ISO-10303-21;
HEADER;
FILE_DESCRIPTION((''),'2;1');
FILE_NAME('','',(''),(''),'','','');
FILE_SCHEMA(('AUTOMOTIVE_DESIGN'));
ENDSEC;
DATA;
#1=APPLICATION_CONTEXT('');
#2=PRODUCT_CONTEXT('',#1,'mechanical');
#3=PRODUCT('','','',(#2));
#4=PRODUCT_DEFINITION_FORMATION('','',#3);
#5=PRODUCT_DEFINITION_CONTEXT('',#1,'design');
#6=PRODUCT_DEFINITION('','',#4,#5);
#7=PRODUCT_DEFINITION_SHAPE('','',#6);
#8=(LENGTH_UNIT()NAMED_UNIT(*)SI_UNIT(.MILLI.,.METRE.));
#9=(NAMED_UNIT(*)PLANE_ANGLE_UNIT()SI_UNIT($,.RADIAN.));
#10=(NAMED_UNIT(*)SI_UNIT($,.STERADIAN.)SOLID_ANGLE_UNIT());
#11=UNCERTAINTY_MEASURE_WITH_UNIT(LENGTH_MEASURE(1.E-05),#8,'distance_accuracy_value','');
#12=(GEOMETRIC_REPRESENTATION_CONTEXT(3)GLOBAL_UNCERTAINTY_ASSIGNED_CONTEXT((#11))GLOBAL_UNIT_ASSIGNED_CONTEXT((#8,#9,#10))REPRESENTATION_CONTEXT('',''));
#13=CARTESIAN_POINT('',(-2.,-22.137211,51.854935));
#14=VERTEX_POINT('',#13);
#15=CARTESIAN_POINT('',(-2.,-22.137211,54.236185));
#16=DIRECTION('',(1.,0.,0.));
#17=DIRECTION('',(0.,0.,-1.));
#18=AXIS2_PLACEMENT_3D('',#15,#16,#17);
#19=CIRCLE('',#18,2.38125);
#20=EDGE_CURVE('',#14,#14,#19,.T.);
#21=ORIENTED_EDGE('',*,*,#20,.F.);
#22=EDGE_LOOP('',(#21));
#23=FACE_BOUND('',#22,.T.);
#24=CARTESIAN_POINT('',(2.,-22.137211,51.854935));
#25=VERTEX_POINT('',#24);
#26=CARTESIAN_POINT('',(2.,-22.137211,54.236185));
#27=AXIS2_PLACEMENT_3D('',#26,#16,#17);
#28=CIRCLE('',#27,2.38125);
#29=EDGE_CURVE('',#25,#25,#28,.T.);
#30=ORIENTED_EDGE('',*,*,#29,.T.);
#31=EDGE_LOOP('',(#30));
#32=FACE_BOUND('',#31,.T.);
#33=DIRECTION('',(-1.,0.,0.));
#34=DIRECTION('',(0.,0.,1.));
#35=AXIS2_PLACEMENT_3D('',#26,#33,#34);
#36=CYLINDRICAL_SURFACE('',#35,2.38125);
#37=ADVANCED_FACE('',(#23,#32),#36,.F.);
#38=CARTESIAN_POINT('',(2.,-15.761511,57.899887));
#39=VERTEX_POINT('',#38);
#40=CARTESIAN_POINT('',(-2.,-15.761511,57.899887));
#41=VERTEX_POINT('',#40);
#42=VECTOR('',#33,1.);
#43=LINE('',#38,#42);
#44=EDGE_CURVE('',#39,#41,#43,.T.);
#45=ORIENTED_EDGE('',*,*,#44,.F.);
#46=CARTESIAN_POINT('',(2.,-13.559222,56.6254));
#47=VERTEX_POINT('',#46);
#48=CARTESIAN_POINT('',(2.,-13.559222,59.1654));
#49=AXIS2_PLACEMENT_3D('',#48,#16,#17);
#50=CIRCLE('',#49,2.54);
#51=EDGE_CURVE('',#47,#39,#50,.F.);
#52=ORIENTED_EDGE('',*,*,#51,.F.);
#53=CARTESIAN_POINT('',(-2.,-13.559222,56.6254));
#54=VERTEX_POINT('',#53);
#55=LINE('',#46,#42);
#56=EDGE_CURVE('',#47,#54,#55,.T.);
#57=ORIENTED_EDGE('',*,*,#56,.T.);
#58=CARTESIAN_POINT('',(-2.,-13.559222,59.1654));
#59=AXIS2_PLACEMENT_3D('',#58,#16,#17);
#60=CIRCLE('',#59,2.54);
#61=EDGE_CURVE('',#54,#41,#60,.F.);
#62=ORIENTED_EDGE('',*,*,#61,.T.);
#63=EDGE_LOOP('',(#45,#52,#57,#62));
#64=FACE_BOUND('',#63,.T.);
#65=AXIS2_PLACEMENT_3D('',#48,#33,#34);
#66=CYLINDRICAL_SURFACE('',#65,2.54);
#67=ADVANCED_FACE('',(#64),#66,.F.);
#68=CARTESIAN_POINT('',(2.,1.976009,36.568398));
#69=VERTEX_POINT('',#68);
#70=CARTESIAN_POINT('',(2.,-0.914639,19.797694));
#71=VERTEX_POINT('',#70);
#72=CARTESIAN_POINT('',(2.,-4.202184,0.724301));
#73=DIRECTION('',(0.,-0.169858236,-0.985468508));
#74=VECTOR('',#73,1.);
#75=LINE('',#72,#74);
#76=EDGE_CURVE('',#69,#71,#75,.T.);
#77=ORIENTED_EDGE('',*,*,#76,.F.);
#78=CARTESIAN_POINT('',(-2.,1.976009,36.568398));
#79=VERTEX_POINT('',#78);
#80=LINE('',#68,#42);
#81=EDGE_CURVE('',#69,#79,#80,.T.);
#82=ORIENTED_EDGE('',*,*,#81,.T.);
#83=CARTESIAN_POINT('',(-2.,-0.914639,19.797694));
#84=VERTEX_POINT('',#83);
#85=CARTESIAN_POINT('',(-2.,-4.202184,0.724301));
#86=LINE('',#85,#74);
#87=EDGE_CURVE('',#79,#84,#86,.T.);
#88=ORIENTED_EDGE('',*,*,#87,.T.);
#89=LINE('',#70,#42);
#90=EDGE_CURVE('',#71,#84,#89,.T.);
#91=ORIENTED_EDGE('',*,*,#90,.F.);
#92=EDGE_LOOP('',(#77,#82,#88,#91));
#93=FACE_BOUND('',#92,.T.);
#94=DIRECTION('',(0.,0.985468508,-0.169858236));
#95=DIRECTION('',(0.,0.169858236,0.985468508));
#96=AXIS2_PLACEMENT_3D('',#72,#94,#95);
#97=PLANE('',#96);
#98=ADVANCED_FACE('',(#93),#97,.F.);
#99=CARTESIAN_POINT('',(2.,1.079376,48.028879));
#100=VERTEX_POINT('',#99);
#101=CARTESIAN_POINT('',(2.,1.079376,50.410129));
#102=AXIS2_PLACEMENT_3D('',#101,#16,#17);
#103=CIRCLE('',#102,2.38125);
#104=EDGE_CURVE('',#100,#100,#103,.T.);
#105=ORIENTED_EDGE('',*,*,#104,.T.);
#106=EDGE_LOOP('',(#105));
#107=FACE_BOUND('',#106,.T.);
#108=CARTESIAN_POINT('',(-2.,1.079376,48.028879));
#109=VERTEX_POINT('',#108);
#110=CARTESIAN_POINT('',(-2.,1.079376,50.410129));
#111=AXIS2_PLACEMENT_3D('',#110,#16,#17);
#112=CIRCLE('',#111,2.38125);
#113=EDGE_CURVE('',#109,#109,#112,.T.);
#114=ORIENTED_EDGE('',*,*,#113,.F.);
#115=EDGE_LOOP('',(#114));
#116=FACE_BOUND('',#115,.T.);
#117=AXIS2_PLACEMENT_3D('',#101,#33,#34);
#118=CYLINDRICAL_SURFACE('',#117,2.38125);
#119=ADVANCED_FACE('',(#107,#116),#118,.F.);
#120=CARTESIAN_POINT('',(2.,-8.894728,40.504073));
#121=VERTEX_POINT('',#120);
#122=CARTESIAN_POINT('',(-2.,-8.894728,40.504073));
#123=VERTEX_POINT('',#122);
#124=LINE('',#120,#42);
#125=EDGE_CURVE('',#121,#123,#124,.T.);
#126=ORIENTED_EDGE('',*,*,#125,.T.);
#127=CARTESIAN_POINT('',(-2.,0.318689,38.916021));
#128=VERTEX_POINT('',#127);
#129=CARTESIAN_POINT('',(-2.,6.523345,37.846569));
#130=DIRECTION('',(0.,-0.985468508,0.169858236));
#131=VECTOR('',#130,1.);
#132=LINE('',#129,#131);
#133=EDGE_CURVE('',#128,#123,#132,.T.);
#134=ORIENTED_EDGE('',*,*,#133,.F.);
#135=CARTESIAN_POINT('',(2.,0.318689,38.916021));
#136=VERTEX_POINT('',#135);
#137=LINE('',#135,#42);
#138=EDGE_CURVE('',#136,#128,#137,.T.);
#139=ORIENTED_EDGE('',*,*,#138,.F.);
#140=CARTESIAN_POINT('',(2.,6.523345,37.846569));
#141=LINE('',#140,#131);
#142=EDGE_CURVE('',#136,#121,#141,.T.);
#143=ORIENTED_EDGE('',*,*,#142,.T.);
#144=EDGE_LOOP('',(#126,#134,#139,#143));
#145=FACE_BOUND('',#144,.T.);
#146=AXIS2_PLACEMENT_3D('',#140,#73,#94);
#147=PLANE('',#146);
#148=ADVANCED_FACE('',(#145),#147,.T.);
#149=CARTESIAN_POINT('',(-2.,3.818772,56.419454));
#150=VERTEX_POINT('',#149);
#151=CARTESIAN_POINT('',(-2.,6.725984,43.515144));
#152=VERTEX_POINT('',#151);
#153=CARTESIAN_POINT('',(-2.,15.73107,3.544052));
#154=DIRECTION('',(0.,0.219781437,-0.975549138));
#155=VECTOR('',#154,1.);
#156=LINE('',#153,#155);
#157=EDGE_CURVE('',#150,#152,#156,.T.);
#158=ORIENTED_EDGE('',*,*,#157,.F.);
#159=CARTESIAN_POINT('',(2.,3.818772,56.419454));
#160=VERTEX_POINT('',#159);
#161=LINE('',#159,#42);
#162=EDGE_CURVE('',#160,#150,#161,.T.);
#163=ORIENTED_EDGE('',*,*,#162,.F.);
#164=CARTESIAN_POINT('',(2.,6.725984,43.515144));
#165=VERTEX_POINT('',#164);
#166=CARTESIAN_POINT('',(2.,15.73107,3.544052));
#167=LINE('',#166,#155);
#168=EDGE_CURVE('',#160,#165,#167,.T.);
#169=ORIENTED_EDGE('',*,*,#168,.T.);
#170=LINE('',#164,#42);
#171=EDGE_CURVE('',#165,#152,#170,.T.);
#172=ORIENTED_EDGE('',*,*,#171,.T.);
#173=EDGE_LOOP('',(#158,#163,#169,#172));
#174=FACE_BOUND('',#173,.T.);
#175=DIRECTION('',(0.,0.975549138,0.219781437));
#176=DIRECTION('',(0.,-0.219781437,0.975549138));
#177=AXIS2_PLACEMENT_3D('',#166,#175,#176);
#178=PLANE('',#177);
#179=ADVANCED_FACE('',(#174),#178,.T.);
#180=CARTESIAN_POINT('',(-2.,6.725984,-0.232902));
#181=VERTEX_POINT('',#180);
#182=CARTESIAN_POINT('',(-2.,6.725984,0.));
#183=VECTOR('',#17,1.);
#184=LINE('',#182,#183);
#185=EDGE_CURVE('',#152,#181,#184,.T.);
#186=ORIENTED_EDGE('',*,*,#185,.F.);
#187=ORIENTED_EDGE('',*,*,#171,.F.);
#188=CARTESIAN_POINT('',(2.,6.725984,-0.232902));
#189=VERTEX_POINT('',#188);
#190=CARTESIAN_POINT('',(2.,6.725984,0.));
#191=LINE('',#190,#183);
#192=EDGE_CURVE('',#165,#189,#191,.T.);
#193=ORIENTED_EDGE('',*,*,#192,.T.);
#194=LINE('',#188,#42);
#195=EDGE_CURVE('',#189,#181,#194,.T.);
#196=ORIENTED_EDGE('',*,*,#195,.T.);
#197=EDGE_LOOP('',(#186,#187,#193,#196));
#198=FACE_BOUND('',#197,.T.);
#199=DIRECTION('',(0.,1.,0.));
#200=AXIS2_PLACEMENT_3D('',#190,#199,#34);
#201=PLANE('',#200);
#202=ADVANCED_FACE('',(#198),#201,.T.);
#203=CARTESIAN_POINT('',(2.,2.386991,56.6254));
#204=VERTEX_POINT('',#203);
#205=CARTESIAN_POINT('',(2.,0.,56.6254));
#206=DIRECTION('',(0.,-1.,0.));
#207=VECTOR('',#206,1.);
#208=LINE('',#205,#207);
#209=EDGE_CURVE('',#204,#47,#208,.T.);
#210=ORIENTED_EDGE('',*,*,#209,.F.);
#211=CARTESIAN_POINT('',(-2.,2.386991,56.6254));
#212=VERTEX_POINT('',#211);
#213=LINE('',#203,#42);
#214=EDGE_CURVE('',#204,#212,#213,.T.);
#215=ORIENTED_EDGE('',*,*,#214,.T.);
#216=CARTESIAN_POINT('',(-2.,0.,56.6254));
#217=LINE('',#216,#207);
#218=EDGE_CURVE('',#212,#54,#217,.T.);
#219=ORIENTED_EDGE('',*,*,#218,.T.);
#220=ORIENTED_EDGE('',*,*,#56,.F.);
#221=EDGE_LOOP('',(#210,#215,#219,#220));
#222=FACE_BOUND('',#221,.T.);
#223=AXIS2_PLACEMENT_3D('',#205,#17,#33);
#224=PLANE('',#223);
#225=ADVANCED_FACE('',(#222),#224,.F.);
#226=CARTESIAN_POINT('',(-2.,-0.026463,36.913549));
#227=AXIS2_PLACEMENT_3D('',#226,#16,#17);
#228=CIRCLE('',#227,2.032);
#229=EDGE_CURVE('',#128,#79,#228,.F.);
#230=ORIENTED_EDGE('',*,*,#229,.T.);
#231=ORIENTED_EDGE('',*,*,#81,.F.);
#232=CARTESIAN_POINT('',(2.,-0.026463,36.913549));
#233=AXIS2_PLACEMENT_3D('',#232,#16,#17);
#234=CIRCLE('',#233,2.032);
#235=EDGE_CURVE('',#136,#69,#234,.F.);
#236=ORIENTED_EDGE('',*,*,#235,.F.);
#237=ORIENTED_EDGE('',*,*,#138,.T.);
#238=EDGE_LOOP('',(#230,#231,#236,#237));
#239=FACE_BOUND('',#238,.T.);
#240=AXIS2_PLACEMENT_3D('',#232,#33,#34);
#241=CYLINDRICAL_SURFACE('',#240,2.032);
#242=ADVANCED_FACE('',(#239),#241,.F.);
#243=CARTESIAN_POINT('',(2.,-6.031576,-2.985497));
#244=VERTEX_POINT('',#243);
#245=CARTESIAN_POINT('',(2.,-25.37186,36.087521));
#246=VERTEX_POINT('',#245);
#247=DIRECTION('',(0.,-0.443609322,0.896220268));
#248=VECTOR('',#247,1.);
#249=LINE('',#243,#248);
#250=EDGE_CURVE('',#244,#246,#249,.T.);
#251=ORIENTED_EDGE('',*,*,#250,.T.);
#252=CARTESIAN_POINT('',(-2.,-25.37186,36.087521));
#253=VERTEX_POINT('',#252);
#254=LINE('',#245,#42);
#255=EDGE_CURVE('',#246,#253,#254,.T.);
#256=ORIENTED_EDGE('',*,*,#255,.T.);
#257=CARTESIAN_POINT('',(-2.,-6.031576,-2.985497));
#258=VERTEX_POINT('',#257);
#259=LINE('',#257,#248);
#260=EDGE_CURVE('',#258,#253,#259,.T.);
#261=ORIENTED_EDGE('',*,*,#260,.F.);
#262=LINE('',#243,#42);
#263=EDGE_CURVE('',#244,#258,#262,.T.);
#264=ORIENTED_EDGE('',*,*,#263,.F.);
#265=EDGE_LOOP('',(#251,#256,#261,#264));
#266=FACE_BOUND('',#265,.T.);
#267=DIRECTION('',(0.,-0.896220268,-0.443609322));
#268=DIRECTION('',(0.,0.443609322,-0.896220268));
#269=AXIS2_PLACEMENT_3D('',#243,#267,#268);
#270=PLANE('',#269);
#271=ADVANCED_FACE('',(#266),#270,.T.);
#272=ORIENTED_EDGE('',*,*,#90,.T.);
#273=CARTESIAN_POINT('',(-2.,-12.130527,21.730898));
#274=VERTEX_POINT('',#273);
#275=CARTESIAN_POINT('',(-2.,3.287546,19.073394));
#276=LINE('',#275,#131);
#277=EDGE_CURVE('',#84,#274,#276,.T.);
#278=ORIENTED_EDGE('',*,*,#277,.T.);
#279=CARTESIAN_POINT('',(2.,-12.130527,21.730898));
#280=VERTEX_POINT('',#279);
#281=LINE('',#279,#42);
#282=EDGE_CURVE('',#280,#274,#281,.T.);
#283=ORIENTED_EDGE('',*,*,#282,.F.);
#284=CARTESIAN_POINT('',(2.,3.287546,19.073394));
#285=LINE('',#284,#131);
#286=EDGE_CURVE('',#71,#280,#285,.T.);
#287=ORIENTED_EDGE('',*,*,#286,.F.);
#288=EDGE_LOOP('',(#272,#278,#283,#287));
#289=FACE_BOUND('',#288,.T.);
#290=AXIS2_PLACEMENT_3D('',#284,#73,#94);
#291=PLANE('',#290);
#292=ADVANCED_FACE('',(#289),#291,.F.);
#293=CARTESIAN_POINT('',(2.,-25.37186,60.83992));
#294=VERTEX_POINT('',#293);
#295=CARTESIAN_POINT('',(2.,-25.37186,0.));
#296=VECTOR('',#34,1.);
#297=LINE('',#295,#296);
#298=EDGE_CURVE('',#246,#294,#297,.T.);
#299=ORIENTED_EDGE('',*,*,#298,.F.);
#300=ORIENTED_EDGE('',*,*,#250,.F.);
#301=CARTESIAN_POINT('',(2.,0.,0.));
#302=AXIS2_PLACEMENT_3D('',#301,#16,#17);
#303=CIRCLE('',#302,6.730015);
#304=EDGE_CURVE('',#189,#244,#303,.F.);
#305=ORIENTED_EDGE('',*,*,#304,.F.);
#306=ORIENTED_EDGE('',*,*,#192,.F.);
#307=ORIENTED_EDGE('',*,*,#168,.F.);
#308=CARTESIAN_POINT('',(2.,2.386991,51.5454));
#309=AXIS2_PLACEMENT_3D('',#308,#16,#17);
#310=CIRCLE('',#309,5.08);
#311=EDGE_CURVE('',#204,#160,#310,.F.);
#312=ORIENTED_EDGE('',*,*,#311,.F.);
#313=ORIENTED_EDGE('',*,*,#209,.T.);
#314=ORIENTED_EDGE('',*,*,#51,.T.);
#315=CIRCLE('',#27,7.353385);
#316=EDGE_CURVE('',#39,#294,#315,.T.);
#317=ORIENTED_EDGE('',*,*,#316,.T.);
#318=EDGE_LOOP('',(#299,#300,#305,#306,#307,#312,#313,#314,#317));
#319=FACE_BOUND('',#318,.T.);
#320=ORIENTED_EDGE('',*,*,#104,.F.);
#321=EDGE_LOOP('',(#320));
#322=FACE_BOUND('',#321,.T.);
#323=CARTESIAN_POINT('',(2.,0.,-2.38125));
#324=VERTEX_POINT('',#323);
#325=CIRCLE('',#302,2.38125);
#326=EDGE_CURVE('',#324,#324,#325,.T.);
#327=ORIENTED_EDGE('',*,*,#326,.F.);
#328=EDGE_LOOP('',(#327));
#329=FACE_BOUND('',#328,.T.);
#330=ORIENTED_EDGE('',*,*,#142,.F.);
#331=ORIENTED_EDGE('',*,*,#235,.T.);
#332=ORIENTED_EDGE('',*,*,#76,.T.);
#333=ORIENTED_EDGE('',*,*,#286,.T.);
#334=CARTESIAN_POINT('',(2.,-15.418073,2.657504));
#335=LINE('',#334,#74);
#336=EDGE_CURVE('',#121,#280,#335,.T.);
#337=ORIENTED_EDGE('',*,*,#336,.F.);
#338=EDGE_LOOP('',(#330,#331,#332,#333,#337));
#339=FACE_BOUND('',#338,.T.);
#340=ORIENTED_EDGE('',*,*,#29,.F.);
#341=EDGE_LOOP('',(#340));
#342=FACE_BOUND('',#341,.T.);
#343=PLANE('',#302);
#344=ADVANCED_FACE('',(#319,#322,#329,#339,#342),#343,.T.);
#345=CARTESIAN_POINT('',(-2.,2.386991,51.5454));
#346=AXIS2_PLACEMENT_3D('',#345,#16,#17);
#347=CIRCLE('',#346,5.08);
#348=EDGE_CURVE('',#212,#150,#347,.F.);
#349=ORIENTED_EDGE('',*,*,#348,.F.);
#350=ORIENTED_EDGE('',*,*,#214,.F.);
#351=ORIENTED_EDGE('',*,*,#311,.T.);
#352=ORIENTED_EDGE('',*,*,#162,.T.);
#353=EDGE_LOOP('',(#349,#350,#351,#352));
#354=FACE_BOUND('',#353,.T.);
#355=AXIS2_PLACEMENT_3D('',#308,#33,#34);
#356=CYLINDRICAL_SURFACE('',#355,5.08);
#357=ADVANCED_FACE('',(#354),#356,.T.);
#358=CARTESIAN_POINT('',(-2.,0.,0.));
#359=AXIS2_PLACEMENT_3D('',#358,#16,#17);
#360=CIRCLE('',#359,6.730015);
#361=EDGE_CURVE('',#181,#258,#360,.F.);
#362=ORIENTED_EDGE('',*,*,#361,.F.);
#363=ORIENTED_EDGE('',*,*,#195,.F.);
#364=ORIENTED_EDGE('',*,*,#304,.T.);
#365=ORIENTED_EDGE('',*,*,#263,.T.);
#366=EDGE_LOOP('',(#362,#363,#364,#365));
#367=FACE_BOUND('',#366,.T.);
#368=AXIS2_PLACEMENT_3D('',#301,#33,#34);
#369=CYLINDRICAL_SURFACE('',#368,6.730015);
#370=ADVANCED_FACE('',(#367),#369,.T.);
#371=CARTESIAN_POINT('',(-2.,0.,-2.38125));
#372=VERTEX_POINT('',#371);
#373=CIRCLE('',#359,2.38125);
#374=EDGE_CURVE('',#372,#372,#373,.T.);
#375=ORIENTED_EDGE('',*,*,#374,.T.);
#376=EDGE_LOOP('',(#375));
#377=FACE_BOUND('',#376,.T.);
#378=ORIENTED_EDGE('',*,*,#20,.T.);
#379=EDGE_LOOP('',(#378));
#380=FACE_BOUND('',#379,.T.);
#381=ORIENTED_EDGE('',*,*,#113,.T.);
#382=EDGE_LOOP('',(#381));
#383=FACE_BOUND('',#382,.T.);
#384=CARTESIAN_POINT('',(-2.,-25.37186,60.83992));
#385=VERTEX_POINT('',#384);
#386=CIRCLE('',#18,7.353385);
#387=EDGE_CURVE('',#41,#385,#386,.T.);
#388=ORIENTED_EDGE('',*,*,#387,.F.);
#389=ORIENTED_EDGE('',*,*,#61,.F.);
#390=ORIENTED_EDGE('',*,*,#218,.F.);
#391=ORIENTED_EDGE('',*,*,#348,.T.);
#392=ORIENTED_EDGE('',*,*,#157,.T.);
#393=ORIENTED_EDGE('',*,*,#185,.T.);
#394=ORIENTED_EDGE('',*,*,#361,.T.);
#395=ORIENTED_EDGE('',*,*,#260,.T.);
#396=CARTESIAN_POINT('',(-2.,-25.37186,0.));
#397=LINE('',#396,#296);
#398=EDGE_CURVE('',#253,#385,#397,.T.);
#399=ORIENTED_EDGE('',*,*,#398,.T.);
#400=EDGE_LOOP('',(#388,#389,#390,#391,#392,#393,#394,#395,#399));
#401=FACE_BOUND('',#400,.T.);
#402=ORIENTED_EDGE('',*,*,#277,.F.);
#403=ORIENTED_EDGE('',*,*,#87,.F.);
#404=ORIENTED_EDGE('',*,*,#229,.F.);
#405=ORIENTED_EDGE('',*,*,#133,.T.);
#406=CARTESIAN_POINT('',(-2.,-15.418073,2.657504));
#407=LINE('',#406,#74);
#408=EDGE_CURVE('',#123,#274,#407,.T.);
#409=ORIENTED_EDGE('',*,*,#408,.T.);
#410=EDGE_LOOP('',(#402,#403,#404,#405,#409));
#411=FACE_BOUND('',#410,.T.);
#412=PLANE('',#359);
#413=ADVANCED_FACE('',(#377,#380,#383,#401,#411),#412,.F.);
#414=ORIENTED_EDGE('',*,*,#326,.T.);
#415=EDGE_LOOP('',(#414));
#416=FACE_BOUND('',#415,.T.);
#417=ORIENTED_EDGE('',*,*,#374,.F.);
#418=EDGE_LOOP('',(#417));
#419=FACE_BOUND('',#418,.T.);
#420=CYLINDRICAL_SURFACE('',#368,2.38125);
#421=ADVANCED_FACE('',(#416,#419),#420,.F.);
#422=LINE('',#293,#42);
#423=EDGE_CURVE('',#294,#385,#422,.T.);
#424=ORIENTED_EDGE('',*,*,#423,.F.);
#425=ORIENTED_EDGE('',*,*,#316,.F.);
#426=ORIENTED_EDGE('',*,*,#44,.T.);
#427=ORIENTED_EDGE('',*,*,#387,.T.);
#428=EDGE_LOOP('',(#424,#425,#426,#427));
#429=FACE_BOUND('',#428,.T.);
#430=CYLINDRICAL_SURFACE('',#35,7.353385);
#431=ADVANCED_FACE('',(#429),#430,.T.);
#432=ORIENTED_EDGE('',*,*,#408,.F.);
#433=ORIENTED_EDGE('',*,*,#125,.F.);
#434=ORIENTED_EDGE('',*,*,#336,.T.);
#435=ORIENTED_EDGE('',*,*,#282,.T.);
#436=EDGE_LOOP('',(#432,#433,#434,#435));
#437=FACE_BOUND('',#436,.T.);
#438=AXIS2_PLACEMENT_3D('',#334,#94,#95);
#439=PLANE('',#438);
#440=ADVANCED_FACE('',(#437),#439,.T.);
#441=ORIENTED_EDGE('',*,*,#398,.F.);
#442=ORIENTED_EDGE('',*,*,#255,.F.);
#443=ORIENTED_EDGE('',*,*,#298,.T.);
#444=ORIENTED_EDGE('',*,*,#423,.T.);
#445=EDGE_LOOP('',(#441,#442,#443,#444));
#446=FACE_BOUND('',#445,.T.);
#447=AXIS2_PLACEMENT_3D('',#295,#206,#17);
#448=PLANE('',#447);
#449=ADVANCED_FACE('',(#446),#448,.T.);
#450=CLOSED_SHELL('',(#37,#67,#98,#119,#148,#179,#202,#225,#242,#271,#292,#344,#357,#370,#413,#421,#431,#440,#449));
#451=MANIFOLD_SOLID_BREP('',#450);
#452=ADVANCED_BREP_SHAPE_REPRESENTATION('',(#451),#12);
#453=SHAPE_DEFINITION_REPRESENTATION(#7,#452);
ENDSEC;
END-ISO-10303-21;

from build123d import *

# Parameters (mm, degrees)
SKETCH1_R           = 2.38125
BOSS_EXTRUDE1_DEPTH = 2


with BuildPart() as part:
    # Sketch1 → Boss-Extrude1 (new, symmetric)
    with BuildSketch(Plane(origin=(0, 0, 0), x_dir=(0, 0, -1), z_dir=(1, 0, 0))):
        with BuildLine():
            Line((-60.839919999, -25.371860345), (-36.087520647, -25.371860345))
            Line((-36.087520647, -25.371860345), (-26.022794648, -20.390042329))
            Line((-26.022794648, -20.390042329), (2.985497353, -6.031575768))
            ThreePointArc((2.985497353, -6.031575768), (6.578628627, 1.419417511), (0.23290188, 6.72598375))
            Line((0.23290188, 6.72598375), (-43.515144264, 6.72598375))
            Line((-43.515144264, 6.72598375), (-56.419454373, 3.818772093))
            ThreePointArc((-56.419454373, 3.818772093), (-56.573650174, 3.11024955), (-56.625400227, 2.386991318))
            Line((-56.625400227, 2.386991318), (-56.625400227, -13.559221537))
            ThreePointArc((-56.625400227, -13.559221537), (-56.966991368, -14.831463057), (-57.899887224, -15.761510537))
            ThreePointArc((-57.899887224, -15.761510537), (-61.267882579, -19.98604889), (-60.839919999, -25.371860345))
        make_face()
        with Locations((-54.236184525, -22.137211246)):
            Circle(SKETCH1_R, mode=Mode.SUBTRACT)
        with Locations((-50.410128911, 1.079375692)):
            Circle(SKETCH1_R, mode=Mode.SUBTRACT)
        with BuildLine():
            ThreePointArc((-38.916021454, 0.318688833), (-38.085451708, 1.633557707), (-36.568397511, 1.976008906))
            Line((-36.568397511, 1.976008906), (-19.797694446, -0.914638547))
            Line((-19.797694446, -0.914638547), (-21.730897843, -12.13052726))
            Line((-21.730897843, -12.13052726), (-40.504072916, -8.894727872))
            Line((-40.504072916, -8.894727872), (-38.916021454, 0.318688833))
        make_face(mode=Mode.SUBTRACT)
        Circle(SKETCH1_R, mode=Mode.SUBTRACT)
    extrude(amount=BOSS_EXTRUDE1_DEPTH, both=True)


solid = part.part
